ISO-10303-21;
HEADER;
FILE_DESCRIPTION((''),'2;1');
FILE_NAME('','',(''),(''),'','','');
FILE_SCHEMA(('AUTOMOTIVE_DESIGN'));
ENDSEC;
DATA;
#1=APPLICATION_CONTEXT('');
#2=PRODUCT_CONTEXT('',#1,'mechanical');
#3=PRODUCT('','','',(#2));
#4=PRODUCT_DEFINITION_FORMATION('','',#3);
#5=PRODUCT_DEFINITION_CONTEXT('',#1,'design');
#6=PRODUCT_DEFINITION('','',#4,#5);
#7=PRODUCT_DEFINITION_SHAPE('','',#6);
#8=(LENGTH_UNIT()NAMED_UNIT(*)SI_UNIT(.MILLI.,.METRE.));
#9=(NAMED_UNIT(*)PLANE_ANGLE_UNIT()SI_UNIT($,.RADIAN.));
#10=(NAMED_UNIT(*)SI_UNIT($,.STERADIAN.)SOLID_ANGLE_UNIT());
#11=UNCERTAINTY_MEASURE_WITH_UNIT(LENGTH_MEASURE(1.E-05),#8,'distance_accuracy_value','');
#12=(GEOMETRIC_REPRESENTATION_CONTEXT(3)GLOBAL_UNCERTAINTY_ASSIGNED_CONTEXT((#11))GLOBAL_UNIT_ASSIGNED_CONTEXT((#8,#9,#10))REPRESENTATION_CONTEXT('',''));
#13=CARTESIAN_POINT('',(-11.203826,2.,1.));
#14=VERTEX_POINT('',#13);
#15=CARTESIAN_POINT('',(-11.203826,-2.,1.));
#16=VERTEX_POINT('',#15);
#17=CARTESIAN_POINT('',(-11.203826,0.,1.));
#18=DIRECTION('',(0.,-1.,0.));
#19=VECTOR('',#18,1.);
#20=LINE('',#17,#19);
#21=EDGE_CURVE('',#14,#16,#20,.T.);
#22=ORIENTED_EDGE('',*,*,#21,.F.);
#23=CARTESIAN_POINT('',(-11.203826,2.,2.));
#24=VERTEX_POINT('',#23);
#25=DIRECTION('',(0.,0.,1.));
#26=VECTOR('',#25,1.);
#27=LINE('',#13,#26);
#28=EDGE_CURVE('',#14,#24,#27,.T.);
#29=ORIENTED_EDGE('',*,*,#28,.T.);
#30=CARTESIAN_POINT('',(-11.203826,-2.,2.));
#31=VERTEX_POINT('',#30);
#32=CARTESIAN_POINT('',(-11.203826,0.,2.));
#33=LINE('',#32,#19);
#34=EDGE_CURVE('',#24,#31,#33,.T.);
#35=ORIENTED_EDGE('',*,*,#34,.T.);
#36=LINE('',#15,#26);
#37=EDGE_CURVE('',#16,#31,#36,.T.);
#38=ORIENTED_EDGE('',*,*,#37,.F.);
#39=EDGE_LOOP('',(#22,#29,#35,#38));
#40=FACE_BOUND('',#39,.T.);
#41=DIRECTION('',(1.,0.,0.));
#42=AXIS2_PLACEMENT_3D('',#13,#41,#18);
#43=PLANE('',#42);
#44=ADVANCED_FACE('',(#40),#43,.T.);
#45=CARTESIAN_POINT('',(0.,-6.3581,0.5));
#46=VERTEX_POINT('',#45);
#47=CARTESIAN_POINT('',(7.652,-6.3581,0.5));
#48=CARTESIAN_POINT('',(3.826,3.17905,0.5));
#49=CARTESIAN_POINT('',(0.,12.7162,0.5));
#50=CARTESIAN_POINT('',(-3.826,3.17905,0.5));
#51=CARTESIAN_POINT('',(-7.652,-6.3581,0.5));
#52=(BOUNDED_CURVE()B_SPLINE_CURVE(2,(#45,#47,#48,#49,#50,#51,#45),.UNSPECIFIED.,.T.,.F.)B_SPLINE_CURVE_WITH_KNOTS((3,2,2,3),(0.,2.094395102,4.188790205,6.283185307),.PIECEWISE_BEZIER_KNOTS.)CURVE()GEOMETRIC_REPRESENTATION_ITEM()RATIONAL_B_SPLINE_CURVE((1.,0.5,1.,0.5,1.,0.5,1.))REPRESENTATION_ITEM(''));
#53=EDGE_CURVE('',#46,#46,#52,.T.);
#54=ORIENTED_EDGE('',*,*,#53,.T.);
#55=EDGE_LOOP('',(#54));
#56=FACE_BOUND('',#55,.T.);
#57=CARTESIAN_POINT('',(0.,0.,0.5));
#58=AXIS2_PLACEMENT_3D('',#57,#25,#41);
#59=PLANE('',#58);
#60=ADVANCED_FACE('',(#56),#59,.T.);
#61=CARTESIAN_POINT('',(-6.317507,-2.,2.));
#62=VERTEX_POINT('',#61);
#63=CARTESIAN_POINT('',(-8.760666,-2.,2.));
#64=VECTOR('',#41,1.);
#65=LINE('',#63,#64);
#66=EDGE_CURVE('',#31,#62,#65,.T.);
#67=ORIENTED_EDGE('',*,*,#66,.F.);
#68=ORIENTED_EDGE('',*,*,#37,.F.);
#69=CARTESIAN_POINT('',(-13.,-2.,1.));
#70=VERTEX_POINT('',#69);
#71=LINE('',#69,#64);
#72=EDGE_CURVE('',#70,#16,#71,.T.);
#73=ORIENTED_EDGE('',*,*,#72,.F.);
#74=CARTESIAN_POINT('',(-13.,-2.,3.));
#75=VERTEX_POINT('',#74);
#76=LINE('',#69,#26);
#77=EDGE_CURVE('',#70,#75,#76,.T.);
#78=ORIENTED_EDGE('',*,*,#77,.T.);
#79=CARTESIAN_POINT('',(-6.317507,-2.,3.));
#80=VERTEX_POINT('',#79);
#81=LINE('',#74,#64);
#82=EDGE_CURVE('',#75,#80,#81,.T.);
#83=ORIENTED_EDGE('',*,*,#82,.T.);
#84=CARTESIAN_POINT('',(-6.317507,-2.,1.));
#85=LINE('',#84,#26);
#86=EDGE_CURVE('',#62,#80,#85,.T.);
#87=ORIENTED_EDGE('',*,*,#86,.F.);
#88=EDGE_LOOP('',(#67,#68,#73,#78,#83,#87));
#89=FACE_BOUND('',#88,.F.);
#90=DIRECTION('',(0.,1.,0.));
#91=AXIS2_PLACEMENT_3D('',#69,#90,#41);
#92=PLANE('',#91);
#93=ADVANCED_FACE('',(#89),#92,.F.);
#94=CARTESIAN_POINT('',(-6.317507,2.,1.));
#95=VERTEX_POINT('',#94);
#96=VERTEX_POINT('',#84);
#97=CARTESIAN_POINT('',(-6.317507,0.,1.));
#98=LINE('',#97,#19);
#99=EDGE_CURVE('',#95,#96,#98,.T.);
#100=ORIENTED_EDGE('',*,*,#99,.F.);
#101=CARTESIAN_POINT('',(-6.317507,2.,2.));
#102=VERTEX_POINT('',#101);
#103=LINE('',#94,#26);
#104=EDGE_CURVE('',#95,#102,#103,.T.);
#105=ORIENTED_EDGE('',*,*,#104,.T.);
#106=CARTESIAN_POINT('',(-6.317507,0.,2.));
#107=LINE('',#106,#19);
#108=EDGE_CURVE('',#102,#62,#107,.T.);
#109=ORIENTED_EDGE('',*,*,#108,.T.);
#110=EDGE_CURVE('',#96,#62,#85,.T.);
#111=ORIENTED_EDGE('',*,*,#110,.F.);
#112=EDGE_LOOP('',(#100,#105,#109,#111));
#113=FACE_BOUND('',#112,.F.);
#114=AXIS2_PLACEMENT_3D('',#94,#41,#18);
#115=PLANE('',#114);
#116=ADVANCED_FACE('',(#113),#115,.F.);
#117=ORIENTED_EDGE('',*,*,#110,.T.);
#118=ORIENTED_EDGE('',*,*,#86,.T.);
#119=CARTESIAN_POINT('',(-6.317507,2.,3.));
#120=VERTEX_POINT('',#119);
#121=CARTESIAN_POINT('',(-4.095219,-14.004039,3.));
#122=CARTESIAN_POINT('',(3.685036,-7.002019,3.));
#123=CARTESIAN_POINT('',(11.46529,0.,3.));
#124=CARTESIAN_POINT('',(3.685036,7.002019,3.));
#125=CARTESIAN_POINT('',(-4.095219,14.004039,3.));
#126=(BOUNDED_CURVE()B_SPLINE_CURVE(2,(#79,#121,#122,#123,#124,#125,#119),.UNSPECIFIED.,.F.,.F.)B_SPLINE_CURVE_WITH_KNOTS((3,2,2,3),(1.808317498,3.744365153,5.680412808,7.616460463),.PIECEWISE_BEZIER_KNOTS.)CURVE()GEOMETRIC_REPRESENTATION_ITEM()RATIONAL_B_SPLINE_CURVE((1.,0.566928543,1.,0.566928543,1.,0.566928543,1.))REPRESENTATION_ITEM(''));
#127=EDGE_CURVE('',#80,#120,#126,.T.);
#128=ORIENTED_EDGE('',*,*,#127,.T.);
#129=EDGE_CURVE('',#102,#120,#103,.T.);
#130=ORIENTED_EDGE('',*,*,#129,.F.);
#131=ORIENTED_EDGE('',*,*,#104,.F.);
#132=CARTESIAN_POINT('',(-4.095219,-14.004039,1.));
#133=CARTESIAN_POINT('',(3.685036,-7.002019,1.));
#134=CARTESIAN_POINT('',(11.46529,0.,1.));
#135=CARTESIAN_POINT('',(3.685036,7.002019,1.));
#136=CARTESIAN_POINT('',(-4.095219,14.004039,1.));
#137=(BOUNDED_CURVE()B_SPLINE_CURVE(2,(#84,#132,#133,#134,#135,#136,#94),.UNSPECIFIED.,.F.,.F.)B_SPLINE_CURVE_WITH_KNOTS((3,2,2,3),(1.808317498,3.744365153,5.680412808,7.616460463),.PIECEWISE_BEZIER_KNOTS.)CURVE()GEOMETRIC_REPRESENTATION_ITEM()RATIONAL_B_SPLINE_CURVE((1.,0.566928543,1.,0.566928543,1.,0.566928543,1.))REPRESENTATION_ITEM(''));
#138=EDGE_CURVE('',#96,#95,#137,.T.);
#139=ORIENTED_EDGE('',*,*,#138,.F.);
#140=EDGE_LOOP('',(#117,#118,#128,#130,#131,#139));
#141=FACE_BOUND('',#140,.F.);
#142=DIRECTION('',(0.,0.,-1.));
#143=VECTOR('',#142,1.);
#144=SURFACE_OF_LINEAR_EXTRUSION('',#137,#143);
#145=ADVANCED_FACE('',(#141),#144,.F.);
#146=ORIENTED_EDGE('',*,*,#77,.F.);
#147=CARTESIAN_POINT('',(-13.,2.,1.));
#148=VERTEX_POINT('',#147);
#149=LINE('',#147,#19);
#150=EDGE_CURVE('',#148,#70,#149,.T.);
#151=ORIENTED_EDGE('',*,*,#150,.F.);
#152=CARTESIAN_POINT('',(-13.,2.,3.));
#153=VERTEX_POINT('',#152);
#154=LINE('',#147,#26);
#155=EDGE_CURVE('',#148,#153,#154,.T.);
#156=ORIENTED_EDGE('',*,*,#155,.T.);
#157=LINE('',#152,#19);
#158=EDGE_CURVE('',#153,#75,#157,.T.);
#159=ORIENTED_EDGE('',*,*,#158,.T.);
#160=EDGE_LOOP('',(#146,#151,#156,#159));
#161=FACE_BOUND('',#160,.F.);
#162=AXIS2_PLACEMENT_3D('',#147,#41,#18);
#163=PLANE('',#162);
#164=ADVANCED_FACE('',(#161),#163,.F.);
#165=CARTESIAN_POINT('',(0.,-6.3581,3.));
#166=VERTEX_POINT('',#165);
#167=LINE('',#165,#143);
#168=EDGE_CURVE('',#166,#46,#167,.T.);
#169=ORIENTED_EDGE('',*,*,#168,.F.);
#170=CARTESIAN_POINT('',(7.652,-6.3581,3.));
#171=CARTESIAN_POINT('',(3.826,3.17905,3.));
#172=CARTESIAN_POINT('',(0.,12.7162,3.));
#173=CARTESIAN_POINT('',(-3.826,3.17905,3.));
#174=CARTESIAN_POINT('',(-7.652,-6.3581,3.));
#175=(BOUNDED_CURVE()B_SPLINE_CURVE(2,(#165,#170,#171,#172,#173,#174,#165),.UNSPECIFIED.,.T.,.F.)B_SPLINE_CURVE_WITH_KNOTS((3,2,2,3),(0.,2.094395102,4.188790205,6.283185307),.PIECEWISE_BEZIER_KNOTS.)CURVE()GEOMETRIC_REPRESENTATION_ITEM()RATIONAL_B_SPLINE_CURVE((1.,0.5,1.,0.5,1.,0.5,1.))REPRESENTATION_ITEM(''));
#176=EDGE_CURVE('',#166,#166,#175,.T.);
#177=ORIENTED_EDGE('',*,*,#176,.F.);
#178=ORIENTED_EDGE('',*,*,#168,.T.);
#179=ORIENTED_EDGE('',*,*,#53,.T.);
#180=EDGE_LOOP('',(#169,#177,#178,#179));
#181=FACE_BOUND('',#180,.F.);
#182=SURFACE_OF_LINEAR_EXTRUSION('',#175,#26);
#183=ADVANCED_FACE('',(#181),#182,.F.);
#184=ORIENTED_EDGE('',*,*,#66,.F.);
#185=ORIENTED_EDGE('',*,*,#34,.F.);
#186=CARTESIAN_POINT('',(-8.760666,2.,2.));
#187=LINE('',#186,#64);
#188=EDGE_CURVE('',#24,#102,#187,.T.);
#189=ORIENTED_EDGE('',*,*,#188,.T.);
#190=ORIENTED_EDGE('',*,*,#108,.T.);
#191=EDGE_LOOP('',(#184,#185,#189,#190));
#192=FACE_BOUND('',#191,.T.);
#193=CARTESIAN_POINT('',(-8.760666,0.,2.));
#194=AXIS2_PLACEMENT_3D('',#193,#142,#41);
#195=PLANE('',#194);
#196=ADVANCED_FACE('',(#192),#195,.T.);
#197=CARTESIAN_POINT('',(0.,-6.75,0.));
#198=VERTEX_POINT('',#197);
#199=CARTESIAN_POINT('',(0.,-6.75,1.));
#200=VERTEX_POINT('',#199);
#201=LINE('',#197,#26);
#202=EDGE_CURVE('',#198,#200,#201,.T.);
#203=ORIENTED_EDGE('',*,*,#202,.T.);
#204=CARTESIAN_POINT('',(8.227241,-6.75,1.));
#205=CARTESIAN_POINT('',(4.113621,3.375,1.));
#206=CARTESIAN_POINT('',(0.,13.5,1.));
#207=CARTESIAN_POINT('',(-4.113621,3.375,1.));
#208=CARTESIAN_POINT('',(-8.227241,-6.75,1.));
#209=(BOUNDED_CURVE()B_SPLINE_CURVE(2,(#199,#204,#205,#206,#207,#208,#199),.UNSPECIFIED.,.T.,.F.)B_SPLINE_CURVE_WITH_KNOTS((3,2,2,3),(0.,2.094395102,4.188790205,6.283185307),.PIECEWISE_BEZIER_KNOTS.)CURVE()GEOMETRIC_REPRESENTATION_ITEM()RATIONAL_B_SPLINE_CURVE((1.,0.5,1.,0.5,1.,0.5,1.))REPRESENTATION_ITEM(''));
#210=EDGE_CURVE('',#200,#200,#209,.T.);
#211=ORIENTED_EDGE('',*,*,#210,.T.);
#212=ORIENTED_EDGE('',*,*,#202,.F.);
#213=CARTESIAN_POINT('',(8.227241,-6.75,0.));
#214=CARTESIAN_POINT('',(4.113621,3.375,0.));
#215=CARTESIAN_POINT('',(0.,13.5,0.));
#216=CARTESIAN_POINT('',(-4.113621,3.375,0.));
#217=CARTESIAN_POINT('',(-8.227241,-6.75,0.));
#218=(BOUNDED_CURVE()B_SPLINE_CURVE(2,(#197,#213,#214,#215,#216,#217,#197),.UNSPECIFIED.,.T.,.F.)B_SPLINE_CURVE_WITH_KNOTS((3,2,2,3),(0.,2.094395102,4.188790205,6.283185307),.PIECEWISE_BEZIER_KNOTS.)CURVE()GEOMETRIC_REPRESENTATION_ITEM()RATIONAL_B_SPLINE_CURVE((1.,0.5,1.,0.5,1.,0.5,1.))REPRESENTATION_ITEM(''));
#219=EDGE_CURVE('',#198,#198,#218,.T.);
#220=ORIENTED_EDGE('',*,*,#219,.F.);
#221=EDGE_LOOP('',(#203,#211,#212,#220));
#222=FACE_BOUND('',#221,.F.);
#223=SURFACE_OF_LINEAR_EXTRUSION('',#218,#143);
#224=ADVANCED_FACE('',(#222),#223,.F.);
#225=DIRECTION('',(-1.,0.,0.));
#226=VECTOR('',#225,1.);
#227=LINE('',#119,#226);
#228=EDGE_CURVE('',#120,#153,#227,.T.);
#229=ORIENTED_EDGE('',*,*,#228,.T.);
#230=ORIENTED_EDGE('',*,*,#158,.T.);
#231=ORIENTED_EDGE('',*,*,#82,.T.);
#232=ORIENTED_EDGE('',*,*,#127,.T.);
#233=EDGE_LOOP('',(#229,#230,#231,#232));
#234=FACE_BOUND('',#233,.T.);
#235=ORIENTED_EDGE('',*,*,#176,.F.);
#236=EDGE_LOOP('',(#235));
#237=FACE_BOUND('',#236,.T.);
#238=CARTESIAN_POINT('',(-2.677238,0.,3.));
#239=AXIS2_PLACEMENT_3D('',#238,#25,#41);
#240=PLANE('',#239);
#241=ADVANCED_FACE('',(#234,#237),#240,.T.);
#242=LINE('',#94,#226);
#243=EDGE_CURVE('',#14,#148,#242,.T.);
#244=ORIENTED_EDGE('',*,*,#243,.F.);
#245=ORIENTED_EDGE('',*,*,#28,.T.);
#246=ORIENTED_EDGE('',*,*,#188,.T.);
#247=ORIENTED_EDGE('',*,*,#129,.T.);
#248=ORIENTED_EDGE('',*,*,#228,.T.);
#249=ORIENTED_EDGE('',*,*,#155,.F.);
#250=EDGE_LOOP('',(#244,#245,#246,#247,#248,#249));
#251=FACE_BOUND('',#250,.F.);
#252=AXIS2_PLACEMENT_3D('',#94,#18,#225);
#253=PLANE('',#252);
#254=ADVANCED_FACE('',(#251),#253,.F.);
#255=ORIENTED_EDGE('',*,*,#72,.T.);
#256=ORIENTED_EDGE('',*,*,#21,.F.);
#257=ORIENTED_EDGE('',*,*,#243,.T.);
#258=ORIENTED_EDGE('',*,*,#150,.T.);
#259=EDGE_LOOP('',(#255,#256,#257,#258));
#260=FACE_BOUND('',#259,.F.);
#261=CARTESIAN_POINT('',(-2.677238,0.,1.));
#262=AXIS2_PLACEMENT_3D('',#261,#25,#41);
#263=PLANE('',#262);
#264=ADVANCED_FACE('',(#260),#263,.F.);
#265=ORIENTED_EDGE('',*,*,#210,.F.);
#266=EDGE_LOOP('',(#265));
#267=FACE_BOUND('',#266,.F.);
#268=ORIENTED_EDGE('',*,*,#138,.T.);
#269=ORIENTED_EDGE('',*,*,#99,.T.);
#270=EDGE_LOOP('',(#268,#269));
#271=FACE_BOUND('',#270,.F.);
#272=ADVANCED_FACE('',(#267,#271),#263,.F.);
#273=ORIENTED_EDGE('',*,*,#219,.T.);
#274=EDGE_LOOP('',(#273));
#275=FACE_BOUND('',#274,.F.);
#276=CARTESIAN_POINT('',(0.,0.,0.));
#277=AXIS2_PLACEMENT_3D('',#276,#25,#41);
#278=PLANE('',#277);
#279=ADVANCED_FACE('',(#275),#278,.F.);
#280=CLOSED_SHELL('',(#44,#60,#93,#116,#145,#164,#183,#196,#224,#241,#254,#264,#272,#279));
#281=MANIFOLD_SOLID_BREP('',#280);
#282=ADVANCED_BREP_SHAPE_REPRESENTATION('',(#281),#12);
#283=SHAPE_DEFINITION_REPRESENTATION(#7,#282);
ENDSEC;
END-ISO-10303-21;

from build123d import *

# Parameters (mm, degrees)
PAD_DEPTH       = 1
PAD001_DEPTH    = 2
POCKET_DEPTH    = 2.5
SKETCH005_W     = 4.8863181656
SKETCH005_H     = 4
POCKET002_DEPTH = 1


with BuildPart() as part:
    # Sketch → Pad (new body)
    with BuildSketch(Plane.XY):
        with BuildLine():
            add(Edge.make_bspline(
                [(0, -6.75), (8.227241336, -6.75), (4.113620668, 3.375), (0, 13.5), (-4.113620668, 3.375), (-8.227241336, -6.75), (0, -6.75)],
                knots=[0, 0, 0, 2.0943951024, 2.0943951024, 4.1887902048, 4.1887902048, 6.2831853072, 6.2831853072, 6.2831853072], degree=2, weights=[1, 0.5, 1, 0.5, 1, 0.5, 1]))
        make_face()
    extrude(amount=PAD_DEPTH)

    # Sketch001 (on Face3 of Pad) → Pad001 (join)
    with BuildSketch(Plane.XY.offset(1)):
        with BuildLine():
            add(Edge.make_bspline(
                [(-6.3175073925, -2), (-4.0952186794, -14.0040385587), (3.6850355273, -7.0020192793), (11.4652897339, 0), (3.6850355273, 7.0020192793), (-4.0952186794, 14.0040385587), (-6.3175073925, 2)],
                knots=[1.8083174976, 1.8083174976, 1.8083174976, 3.7443651528, 3.7443651528, 5.680412808, 5.680412808, 7.6164604632, 7.6164604632, 7.6164604632], degree=2, weights=[1, 0.5669285427, 1, 0.5669285427, 1, 0.5669285427, 1]))
            Line((-6.3175073925, 2), (-13, 2))
            Line((-13, 2), (-13, -2))
            Line((-13, -2), (-6.3175073925, -2))
        make_face()
    extrude(amount=PAD001_DEPTH)

    # Sketch003 (on Face5 of Pad001) → Pocket (cut)
    with BuildSketch(Plane.XY.offset(3)):
        with BuildLine():
            add(Edge.make_bspline(
                [(0, -6.3581), (7.6520003338, -6.3581), (3.8260001669, 3.17905), (0, 12.7162), (-3.8260001669, 3.17905), (-7.6520003338, -6.3581), (0, -6.3581)],
                knots=[0, 0, 0, 2.0943951024, 2.0943951024, 4.1887902048, 4.1887902048, 6.2831853072, 6.2831853072, 6.2831853072], degree=2, weights=[1, 0.5, 1, 0.5, 1, 0.5, 1]))
        make_face()
    extrude(amount=-POCKET_DEPTH, mode=Mode.SUBTRACT)

    # Sketch005 → Pocket002 (cut)
    with BuildSketch(Plane(origin=(0, 0, 1), x_dir=(1, 0, 0), z_dir=(0, 0, -1))):
        with Locations((-8.7606664753, 0)):
            Rectangle(SKETCH005_W, SKETCH005_H)
    extrude(amount=-POCKET002_DEPTH, mode=Mode.SUBTRACT)


solid = part.part
